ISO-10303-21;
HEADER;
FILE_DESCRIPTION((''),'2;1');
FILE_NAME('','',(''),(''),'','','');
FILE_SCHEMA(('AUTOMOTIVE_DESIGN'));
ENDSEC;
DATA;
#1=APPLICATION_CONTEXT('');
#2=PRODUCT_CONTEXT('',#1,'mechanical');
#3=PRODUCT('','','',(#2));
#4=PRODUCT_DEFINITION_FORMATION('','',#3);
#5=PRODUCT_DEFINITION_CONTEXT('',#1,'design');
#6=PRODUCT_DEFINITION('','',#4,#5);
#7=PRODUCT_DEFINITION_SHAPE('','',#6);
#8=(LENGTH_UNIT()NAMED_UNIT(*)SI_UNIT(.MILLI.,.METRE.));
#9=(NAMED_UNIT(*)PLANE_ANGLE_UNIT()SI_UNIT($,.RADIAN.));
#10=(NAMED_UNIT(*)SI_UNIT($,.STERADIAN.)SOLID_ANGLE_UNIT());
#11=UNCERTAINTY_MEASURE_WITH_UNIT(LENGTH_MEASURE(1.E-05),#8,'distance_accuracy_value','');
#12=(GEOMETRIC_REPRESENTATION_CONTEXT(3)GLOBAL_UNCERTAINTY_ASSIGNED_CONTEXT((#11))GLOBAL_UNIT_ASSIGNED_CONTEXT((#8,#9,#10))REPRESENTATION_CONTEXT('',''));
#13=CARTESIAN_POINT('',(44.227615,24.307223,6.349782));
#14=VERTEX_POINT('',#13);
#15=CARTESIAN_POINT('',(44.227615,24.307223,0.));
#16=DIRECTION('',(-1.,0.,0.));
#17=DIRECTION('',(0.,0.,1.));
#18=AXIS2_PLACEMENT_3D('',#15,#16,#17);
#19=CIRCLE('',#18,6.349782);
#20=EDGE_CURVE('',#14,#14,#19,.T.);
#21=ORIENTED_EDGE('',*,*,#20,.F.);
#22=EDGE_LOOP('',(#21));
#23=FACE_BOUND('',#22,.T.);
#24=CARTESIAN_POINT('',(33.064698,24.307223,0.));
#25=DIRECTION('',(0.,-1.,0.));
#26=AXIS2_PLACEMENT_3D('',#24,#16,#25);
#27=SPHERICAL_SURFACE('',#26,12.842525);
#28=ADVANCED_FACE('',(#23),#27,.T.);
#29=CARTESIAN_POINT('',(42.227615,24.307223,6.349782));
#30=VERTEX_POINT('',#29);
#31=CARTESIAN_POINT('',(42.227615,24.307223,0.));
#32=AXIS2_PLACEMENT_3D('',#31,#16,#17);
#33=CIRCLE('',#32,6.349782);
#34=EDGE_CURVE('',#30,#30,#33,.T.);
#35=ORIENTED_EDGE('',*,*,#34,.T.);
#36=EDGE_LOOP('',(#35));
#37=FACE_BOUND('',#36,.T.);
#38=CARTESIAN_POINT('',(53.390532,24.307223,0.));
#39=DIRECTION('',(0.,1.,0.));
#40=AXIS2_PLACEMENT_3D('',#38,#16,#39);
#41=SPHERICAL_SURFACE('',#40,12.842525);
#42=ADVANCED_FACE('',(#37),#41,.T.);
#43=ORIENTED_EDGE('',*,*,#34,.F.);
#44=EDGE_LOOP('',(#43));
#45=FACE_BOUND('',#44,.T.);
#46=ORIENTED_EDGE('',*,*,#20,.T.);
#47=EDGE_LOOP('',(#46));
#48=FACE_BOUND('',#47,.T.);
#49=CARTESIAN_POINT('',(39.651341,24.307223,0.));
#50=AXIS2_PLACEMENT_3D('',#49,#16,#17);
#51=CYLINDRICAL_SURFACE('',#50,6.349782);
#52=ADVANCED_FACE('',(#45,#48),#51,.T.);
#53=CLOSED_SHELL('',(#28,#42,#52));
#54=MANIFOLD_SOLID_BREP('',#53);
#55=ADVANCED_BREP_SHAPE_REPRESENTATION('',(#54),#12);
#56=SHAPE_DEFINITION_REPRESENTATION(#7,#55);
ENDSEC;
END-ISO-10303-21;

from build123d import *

# Parameters (mm, degrees)
SKETCH_1_ONE_SIDE_W = 2
SKETCH_1_ONE_SIDE_H = 6.349782293


with BuildPart() as part:
    # 草图1 one side → 旋转1 (revolve)
    with BuildSketch(Plane.XY, mode=Mode.PRIVATE) as revolve_1_sk:
        with Locations((43.227614798, 27.482114268)):
            Rectangle(SKETCH_1_ONE_SIDE_W, SKETCH_1_ONE_SIDE_H)
        with BuildLine():
            Line((40.54800667, 24.307223121), (42.227614798, 24.307223121))
            Line((42.227614798, 24.307223121), (42.227614798, 30.657005414))
            ThreePointArc((42.227614798, 30.657005414), (40.975007368, 27.591306655), (40.54800667, 24.307223121))
        make_face()
        with BuildLine():
            Line((44.227614798, 24.307223121), (45.907222925, 24.307223121))
            ThreePointArc((45.907222925, 24.307223121), (45.480222227, 27.591306655), (44.227614798, 30.657005414))
            Line((44.227614798, 30.657005414), (44.227614798, 24.307223121))
        make_face()
    revolve(revolve_1_sk.sketch.rotate(Axis((39.651341201, 24.307223121, 0), (1, 0, 0)), 90), axis=Axis((39.651341201, 24.307223121, 0), (1, 0, 0)))  # turned: the seam where the file's is


solid = part.part
